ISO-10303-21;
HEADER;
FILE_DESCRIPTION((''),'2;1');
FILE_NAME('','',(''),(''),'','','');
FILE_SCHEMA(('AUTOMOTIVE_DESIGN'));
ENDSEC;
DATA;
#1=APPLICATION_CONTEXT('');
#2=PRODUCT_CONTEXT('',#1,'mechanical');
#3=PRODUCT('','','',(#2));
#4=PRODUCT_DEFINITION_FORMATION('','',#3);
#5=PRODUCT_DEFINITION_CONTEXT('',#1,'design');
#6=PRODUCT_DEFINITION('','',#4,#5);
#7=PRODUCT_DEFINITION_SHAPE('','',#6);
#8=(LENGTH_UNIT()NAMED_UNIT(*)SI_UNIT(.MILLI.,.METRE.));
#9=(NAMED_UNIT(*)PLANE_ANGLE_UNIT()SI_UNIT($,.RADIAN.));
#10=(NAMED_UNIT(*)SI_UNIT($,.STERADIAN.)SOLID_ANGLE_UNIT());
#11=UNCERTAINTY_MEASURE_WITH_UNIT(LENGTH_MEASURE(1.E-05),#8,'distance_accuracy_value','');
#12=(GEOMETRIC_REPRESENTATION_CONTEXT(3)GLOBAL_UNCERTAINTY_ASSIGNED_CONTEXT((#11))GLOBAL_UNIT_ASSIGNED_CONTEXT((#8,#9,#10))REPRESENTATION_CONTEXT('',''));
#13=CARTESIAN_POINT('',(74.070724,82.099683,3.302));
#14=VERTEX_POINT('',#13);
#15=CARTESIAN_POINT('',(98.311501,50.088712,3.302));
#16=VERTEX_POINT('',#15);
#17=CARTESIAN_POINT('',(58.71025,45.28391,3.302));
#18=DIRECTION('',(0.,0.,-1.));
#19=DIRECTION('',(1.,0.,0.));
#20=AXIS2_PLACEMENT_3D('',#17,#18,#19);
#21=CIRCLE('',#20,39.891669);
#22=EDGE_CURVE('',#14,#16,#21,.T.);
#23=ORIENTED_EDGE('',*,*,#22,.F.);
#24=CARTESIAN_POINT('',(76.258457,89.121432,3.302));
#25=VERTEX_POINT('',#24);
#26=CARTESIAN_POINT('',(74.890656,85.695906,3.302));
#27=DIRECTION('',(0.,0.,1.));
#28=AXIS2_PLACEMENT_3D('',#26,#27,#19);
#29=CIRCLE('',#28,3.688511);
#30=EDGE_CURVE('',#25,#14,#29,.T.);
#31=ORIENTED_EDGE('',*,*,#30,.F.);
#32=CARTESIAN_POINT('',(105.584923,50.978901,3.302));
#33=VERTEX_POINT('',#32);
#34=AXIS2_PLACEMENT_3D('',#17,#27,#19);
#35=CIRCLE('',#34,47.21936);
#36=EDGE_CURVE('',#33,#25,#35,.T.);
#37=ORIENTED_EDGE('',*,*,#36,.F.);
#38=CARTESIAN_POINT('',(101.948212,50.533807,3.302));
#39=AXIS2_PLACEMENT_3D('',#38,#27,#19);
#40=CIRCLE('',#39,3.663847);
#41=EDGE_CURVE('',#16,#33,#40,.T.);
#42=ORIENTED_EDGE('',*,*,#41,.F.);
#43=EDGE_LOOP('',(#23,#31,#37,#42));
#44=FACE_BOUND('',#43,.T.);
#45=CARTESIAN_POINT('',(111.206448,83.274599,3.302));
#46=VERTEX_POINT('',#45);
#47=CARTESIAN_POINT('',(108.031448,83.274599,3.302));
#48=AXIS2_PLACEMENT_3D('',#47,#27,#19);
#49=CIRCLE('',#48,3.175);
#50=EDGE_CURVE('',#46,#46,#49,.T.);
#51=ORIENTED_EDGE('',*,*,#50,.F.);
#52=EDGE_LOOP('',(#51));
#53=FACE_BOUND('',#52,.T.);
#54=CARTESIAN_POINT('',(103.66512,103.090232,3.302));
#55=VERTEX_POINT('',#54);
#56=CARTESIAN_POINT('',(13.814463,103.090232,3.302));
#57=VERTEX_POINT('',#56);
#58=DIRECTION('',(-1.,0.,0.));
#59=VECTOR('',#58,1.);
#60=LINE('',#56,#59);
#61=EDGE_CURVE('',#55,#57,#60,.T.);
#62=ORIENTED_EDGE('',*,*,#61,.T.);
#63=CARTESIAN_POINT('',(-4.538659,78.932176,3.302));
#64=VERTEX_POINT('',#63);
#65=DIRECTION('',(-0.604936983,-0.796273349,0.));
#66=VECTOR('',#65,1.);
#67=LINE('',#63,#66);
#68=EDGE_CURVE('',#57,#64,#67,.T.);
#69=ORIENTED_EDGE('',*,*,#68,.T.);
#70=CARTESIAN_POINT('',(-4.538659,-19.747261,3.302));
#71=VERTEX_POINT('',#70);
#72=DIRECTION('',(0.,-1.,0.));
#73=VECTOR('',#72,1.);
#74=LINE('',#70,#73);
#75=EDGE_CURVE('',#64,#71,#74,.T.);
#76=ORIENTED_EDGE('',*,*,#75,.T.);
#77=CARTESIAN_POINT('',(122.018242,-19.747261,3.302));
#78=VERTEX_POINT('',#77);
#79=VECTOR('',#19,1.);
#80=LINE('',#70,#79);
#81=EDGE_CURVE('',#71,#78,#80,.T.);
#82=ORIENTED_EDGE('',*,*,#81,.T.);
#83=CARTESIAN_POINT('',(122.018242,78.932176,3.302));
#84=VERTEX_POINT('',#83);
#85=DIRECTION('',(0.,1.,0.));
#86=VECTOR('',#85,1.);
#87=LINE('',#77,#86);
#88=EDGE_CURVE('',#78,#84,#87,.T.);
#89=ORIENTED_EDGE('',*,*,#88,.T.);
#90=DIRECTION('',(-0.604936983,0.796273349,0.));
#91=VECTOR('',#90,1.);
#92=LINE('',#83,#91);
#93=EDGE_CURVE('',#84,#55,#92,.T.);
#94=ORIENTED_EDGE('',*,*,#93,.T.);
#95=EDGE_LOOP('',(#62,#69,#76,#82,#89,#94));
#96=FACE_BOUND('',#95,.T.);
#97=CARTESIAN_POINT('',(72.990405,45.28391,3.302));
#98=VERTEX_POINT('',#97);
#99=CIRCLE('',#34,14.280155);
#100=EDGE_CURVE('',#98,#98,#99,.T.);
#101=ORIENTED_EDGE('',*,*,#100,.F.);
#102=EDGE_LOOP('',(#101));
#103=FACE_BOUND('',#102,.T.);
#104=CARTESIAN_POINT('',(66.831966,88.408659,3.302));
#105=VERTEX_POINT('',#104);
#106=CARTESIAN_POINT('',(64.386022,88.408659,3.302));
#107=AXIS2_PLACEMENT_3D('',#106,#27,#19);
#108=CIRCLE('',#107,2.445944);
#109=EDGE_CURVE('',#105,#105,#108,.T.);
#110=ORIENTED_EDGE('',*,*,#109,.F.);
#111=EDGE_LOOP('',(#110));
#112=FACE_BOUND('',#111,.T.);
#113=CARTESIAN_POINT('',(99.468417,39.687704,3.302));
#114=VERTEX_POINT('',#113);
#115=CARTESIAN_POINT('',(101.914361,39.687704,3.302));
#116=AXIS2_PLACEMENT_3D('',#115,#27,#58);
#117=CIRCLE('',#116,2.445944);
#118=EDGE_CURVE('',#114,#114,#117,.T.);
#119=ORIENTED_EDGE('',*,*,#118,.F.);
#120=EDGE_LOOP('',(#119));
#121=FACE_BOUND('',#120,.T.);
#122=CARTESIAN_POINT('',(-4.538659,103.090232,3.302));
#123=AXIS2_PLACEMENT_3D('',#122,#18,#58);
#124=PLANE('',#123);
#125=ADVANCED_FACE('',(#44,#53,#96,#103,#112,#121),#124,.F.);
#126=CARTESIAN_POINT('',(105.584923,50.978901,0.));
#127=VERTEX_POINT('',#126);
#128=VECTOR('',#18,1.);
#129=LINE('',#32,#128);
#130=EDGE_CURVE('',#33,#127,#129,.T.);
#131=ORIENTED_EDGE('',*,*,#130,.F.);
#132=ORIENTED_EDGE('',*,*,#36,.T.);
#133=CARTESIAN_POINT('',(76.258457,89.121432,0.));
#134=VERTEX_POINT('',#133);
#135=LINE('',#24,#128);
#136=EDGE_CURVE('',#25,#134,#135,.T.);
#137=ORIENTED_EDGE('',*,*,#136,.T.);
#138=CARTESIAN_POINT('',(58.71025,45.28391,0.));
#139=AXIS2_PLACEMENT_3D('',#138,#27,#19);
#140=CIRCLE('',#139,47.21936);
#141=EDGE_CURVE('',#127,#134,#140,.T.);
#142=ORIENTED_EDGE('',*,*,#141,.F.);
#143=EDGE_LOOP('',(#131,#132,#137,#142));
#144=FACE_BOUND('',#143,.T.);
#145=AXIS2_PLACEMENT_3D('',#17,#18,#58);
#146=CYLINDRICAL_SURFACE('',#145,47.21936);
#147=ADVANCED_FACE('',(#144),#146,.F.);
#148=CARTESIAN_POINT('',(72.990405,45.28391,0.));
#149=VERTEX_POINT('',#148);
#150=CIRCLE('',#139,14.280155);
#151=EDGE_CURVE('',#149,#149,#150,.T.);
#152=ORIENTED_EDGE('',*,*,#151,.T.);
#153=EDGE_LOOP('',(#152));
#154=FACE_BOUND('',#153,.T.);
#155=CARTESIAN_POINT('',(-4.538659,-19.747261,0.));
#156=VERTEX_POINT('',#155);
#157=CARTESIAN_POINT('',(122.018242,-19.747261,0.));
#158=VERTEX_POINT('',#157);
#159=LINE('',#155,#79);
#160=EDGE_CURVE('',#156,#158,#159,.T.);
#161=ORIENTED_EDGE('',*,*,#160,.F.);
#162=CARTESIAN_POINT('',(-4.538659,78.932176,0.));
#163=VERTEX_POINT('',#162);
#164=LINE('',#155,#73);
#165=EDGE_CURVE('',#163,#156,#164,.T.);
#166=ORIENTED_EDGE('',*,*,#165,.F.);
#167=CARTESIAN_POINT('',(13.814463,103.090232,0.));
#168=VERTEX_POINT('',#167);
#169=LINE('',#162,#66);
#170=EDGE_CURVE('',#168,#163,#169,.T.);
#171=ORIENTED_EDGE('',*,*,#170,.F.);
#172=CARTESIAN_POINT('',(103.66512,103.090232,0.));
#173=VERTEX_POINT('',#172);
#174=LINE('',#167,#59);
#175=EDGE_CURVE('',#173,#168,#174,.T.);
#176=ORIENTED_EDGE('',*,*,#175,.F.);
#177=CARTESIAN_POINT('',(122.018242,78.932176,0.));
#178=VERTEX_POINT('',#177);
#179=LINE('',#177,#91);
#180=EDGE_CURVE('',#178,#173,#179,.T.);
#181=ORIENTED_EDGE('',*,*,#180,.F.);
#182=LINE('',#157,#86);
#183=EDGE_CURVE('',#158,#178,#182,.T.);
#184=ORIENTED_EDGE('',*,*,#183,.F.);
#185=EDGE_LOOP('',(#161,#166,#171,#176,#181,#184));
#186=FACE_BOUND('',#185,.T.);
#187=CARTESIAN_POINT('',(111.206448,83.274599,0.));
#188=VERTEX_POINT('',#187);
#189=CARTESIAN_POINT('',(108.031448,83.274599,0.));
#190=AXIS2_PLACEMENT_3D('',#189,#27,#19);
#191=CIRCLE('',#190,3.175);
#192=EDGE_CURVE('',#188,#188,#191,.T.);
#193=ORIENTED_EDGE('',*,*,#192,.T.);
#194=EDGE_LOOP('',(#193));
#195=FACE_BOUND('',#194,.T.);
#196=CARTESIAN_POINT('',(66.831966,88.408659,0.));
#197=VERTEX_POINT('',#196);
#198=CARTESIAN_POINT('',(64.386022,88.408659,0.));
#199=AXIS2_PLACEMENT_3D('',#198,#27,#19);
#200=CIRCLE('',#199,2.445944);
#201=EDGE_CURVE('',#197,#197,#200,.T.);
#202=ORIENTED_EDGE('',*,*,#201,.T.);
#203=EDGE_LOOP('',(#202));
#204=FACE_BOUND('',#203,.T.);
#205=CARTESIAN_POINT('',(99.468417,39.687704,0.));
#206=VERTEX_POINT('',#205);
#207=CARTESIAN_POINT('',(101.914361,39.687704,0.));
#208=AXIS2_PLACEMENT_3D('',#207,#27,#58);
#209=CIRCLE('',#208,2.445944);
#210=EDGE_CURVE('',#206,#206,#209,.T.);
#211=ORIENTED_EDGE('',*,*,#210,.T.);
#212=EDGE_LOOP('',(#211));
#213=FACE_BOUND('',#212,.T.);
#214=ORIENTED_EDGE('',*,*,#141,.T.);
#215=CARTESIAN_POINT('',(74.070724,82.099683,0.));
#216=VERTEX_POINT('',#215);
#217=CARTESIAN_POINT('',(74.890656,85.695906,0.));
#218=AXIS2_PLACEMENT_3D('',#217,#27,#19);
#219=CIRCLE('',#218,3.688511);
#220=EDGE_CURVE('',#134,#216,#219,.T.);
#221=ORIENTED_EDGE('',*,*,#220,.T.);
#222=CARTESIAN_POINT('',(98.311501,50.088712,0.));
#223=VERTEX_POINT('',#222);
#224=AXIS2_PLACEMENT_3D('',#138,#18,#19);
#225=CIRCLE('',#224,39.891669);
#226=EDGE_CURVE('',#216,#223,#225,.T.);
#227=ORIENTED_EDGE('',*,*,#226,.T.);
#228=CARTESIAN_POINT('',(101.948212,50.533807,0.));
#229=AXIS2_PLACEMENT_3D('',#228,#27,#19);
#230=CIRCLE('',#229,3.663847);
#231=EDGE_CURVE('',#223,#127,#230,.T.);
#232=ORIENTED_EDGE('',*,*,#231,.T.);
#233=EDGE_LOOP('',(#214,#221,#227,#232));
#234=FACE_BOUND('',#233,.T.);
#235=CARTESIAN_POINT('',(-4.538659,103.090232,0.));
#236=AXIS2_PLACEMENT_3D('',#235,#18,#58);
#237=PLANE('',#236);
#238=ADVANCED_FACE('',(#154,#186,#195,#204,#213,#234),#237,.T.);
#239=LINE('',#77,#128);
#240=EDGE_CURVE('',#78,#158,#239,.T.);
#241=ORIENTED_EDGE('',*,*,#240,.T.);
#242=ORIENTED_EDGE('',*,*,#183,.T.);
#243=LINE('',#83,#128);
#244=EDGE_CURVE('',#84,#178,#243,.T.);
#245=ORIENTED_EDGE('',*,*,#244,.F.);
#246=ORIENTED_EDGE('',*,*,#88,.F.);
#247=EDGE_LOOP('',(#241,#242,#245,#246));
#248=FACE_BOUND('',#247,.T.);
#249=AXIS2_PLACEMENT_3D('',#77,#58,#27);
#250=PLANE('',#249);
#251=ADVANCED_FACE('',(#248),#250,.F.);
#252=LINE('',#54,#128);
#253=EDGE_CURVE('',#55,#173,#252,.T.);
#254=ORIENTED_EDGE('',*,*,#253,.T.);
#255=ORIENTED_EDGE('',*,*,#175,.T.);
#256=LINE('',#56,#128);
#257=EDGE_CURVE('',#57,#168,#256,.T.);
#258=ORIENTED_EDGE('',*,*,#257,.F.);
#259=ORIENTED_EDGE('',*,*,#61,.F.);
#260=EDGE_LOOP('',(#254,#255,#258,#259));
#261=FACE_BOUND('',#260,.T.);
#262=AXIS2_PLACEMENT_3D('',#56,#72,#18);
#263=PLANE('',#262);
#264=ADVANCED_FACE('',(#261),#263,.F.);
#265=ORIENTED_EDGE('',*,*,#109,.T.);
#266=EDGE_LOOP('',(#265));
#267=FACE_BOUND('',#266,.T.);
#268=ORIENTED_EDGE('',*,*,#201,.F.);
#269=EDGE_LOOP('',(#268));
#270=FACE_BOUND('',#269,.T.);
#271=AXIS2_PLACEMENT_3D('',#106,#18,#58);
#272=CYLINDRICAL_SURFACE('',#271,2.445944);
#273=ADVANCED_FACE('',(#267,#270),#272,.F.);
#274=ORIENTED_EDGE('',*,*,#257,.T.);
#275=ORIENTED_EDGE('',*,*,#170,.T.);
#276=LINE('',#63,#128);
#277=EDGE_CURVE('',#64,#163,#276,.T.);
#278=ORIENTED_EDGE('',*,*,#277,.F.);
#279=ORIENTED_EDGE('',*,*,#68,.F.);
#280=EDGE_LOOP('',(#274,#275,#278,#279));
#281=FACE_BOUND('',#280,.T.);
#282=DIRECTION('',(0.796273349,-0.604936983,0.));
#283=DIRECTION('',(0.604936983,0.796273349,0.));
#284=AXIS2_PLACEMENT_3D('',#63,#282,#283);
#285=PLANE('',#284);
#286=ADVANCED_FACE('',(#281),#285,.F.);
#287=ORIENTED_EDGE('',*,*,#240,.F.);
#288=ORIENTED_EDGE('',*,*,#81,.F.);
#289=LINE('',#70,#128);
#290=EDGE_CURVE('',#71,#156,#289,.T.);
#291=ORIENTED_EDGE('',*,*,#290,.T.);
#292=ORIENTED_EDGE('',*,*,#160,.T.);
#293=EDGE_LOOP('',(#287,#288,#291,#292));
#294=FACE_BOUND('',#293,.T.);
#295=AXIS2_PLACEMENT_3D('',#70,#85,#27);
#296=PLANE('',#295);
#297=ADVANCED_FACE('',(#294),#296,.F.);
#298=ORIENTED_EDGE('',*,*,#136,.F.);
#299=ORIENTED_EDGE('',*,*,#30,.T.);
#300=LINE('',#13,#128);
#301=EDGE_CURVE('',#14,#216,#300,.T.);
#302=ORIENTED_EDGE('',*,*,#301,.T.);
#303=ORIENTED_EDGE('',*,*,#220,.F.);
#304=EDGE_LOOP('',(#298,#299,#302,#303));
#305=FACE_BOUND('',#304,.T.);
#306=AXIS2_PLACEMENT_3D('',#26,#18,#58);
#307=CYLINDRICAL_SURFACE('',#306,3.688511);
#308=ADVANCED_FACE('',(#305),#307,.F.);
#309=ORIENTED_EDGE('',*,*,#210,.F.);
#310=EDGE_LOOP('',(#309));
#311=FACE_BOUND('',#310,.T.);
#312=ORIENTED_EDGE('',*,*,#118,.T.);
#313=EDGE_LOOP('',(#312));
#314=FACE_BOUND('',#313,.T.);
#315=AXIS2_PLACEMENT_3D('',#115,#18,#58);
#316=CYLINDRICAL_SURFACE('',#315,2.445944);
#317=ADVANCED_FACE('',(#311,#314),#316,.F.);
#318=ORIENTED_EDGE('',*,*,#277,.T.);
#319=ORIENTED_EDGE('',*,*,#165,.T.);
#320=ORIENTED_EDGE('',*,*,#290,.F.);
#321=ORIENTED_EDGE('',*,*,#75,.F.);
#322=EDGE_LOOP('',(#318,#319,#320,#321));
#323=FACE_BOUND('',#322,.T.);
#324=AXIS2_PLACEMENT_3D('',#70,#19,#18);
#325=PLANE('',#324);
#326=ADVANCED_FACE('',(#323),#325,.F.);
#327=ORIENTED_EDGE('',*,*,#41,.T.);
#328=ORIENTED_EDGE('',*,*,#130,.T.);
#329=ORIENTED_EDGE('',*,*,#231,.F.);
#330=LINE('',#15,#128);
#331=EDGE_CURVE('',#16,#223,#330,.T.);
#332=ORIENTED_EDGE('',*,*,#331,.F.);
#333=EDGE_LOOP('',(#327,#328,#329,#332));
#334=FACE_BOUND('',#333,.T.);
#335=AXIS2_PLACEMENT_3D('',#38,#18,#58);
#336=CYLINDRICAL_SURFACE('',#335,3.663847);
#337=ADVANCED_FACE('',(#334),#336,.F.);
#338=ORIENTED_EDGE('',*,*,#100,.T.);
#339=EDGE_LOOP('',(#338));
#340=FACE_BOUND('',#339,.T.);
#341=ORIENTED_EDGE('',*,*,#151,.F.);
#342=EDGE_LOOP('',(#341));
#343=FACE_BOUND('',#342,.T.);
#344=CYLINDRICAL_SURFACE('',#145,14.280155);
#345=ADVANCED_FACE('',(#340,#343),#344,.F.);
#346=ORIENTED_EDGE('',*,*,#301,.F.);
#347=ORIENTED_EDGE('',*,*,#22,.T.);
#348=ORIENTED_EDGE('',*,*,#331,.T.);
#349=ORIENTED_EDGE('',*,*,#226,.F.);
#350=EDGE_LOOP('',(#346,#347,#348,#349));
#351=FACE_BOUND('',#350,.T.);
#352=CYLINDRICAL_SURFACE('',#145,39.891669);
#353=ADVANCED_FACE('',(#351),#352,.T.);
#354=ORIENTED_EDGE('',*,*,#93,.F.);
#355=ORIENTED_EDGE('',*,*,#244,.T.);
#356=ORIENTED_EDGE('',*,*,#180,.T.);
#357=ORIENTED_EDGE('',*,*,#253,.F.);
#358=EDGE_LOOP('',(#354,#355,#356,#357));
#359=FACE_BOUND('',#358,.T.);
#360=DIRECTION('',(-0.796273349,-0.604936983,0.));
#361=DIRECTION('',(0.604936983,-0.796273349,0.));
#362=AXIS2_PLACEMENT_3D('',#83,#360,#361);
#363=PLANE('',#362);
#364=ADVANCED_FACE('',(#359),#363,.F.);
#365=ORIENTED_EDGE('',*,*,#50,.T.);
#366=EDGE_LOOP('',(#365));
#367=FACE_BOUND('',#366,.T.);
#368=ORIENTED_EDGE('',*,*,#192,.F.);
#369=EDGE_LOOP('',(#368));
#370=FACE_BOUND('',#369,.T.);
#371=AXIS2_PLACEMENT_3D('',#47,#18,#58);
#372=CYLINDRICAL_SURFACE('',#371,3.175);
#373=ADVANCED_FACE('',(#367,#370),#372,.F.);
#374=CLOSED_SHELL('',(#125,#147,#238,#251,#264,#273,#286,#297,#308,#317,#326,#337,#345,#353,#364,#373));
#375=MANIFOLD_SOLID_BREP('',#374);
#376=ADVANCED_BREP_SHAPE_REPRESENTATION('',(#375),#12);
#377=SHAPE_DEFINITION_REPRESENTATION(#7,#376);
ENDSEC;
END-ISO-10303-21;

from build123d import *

# Parameters (mm, degrees)
SKETCH1_R      = 14.280154621
SKETCH1_R_2    = 3.175
SKETCH1_R_3    = 2.445943814
EXTRUDE1_DEPTH = 3.302


with BuildPart() as part:
    # Sketch1 → Extrude1 (new body)
    with BuildSketch(Plane.XY):
        Polygon((122.018241697, 78.932176277), (103.665120274, 103.090232189), (13.814462921, 103.090232189), (-4.538658503, 78.932176277), (-4.538658503, -19.747260734), (122.018241697, -19.747260734), align=None)
        with Locations((58.710249945, 45.283910371)):
            Circle(SKETCH1_R, mode=Mode.SUBTRACT)
        with Locations((108.031447678, 83.274598732)):
            Circle(SKETCH1_R_2, mode=Mode.SUBTRACT)
        with Locations((64.386022104, 88.408658993)):
            Circle(SKETCH1_R_3, mode=Mode.SUBTRACT)
        with Locations(Location((101.914361119, 39.6877037, 0), (0, 0, 180))):
            Circle(SKETCH1_R_3, mode=Mode.SUBTRACT)
        with BuildLine():
            ThreePointArc((105.584923307, 50.978901238), (96.144059082, 74.065464486), (76.258457488, 89.121432379))
            ThreePointArc((76.258457488, 89.121432379), (71.3691103, 86.793097674), (74.070723534, 82.099682674))
            ThreePointArc((74.070723534, 82.099682674), (90.512346787, 69.36651562), (98.311501424, 50.088712183))
            ThreePointArc((98.311501424, 50.088712183), (102.393306893, 46.897095769), (105.584923307, 50.978901238))
        make_face(mode=Mode.SUBTRACT)
    extrude(amount=EXTRUDE1_DEPTH)


solid = part.part
